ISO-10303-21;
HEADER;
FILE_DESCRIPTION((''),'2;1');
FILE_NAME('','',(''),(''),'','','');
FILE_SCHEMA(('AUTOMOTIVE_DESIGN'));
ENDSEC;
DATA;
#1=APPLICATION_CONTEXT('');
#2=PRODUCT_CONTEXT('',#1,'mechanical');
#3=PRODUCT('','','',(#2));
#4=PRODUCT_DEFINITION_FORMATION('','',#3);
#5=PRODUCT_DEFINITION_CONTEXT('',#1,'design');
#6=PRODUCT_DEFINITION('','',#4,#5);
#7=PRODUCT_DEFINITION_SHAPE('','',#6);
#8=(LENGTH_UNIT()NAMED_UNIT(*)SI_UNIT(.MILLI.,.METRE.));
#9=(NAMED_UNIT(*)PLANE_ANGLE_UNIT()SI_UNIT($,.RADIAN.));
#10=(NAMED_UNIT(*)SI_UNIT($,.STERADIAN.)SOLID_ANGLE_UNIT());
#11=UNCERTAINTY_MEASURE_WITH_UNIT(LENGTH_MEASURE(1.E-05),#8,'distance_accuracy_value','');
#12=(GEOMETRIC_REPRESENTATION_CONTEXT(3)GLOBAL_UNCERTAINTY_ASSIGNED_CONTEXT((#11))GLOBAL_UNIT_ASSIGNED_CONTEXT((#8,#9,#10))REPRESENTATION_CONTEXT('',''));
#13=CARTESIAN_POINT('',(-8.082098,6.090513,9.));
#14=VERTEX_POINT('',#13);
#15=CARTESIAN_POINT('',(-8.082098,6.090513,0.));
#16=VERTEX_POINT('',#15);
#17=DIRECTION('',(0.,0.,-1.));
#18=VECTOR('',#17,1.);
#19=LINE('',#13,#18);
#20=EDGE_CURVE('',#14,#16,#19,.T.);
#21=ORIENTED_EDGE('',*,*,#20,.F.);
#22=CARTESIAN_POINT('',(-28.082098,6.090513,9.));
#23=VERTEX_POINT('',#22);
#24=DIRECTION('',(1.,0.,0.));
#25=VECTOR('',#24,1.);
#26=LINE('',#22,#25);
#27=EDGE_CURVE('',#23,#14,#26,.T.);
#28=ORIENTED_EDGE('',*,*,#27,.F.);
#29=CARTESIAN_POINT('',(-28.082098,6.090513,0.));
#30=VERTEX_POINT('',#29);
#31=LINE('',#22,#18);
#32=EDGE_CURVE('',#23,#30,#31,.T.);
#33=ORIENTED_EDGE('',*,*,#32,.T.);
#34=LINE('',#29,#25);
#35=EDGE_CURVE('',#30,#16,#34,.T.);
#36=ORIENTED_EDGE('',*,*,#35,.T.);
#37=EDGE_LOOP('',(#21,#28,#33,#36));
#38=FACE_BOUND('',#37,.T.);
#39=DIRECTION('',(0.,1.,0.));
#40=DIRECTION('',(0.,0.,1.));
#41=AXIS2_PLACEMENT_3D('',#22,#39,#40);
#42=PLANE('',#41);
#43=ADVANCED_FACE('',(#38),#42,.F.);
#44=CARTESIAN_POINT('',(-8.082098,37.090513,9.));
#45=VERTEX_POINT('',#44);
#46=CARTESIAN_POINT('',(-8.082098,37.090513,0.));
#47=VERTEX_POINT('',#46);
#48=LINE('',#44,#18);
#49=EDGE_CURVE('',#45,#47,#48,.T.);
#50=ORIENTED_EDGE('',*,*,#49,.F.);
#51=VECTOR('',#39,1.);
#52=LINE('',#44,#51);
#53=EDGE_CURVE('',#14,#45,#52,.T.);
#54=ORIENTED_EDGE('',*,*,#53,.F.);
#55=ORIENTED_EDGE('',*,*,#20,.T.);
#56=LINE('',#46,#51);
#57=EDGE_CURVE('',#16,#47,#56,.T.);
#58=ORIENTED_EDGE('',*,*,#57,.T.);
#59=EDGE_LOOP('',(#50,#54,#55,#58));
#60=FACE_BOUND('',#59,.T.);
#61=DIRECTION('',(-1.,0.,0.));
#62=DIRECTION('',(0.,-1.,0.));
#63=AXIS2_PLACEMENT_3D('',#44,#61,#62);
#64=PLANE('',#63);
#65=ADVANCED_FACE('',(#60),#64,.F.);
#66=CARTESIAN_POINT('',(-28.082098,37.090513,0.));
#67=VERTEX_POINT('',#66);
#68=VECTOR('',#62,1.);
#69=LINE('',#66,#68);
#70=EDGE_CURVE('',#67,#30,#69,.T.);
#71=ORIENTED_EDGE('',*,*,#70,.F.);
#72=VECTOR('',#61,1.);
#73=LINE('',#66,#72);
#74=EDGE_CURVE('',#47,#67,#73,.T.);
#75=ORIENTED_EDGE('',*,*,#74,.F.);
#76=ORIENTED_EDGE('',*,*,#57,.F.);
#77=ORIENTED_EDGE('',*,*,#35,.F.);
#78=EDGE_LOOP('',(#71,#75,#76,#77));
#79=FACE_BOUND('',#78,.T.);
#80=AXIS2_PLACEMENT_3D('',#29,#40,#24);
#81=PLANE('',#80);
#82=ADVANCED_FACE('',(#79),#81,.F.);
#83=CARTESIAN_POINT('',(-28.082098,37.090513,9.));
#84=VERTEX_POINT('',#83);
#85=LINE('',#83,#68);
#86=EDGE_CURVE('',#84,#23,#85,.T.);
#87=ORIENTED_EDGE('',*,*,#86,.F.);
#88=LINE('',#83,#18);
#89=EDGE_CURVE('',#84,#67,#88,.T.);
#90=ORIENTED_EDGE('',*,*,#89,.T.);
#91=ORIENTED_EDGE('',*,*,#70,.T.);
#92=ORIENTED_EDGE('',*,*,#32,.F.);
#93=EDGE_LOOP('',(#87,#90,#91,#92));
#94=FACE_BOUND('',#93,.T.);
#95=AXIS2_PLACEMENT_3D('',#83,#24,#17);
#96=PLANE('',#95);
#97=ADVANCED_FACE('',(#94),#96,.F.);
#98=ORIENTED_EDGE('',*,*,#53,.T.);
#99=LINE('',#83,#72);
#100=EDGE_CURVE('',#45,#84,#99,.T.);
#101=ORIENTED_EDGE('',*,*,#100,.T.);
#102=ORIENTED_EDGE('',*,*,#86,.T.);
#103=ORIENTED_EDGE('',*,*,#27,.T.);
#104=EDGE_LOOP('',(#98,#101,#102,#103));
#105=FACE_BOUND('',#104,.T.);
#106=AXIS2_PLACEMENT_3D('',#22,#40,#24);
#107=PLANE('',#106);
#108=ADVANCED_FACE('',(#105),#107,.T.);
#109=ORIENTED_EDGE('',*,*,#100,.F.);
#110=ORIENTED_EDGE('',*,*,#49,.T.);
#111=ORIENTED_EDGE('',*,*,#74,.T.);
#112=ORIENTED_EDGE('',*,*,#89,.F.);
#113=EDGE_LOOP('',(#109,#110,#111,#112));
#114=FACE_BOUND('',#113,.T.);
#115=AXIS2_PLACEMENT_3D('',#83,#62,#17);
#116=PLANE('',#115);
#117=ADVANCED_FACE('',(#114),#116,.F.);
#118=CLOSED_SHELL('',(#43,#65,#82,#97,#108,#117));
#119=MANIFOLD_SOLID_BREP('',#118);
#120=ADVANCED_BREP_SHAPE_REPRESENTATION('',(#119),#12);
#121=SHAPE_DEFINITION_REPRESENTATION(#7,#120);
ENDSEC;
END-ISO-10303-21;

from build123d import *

# Parameters (mm, degrees)
ESQUISSE1_W      = 20
ESQUISSE1_H      = 31
EXTRUSION1_DEPTH = 9


with BuildPart() as part:
    # Esquisse1 → Extrusion1 (new body)
    with BuildSketch(Plane.XY):
        with Locations((-18.082097902, 21.590512821)):
            Rectangle(ESQUISSE1_W, ESQUISSE1_H)
    extrude(amount=EXTRUSION1_DEPTH)


solid = part.part
